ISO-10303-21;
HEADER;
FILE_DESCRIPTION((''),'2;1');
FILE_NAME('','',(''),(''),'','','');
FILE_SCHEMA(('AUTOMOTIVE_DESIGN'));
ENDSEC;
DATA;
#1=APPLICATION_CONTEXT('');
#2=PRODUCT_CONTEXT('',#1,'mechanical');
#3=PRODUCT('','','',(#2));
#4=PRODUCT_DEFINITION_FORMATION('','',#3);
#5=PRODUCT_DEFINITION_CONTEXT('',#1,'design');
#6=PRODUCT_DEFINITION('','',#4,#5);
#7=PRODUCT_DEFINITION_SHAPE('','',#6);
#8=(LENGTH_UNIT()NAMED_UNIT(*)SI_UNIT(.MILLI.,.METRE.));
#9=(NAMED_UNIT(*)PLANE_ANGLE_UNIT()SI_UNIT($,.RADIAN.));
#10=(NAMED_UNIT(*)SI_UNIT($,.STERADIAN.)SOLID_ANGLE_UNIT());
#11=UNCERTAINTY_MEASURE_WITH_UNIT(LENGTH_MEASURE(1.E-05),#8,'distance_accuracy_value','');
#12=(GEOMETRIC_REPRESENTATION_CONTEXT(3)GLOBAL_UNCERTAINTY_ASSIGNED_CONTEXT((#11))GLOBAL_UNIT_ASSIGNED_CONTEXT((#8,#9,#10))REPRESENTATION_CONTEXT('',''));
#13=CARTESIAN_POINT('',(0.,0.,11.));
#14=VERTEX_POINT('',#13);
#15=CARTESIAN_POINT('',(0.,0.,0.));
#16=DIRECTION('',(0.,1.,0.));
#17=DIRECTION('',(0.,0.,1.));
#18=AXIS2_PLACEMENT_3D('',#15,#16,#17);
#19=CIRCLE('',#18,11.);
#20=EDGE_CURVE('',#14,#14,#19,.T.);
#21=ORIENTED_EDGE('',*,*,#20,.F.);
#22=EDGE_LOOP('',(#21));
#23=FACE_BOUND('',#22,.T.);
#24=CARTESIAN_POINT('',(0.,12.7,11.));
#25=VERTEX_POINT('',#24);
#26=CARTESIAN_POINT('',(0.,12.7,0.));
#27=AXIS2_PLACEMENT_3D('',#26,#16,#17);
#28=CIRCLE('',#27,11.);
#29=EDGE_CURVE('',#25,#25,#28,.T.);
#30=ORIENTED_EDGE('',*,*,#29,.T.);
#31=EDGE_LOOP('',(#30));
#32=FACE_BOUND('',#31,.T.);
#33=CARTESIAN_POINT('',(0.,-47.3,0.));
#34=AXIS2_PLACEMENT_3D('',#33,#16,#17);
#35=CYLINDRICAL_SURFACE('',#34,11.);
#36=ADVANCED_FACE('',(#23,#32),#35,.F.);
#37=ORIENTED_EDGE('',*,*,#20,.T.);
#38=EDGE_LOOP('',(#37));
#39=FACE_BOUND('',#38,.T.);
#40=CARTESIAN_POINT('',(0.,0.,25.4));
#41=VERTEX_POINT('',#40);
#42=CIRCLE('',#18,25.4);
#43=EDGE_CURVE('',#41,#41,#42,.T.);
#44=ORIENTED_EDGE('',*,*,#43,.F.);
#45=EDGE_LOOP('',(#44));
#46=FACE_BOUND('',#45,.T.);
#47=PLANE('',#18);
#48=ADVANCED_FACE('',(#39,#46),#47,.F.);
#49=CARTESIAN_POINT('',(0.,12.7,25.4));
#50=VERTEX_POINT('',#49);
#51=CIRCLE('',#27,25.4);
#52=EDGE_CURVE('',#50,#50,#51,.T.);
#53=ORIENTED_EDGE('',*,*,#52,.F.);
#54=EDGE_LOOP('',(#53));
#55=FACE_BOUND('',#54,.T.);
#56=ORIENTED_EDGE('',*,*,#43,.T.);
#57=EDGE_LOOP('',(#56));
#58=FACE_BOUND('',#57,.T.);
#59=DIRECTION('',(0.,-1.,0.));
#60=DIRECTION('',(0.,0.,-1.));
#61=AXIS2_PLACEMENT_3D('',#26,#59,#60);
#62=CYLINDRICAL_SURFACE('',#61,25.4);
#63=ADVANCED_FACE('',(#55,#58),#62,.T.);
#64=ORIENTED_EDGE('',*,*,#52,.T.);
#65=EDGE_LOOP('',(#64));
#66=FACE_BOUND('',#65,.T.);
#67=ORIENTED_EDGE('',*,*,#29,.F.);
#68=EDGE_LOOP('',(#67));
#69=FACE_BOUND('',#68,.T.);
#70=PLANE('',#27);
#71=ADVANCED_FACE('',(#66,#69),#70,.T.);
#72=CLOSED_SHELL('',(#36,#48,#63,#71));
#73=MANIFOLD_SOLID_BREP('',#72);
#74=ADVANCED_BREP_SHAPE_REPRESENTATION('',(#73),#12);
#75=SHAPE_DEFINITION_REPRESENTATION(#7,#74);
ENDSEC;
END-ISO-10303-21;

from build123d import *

# Parameters (mm, degrees)
SKETCH1_R           = 25.4
BOSS_EXTRUDE1_DEPTH = 12.7
SKETCH4_R           = 11
CUT_EXTRUDE3_DEPTH  = 60


with BuildPart() as part:
    # Sketch1 → Boss-Extrude1 (new body)
    with BuildSketch(Plane(origin=(0, 0, 0), x_dir=(1, 0, 0), z_dir=(0, 1, 0))):
        Circle(SKETCH1_R)
    extrude(amount=BOSS_EXTRUDE1_DEPTH)

    # Sketch4 → Cut-Extrude3 (cut)
    with BuildSketch(Plane(origin=(0, 12.7, 0), x_dir=(1, 0, 0), z_dir=(0, 1, 0))):
        Circle(SKETCH4_R)
    extrude(amount=-CUT_EXTRUDE3_DEPTH, mode=Mode.SUBTRACT)


solid = part.part
